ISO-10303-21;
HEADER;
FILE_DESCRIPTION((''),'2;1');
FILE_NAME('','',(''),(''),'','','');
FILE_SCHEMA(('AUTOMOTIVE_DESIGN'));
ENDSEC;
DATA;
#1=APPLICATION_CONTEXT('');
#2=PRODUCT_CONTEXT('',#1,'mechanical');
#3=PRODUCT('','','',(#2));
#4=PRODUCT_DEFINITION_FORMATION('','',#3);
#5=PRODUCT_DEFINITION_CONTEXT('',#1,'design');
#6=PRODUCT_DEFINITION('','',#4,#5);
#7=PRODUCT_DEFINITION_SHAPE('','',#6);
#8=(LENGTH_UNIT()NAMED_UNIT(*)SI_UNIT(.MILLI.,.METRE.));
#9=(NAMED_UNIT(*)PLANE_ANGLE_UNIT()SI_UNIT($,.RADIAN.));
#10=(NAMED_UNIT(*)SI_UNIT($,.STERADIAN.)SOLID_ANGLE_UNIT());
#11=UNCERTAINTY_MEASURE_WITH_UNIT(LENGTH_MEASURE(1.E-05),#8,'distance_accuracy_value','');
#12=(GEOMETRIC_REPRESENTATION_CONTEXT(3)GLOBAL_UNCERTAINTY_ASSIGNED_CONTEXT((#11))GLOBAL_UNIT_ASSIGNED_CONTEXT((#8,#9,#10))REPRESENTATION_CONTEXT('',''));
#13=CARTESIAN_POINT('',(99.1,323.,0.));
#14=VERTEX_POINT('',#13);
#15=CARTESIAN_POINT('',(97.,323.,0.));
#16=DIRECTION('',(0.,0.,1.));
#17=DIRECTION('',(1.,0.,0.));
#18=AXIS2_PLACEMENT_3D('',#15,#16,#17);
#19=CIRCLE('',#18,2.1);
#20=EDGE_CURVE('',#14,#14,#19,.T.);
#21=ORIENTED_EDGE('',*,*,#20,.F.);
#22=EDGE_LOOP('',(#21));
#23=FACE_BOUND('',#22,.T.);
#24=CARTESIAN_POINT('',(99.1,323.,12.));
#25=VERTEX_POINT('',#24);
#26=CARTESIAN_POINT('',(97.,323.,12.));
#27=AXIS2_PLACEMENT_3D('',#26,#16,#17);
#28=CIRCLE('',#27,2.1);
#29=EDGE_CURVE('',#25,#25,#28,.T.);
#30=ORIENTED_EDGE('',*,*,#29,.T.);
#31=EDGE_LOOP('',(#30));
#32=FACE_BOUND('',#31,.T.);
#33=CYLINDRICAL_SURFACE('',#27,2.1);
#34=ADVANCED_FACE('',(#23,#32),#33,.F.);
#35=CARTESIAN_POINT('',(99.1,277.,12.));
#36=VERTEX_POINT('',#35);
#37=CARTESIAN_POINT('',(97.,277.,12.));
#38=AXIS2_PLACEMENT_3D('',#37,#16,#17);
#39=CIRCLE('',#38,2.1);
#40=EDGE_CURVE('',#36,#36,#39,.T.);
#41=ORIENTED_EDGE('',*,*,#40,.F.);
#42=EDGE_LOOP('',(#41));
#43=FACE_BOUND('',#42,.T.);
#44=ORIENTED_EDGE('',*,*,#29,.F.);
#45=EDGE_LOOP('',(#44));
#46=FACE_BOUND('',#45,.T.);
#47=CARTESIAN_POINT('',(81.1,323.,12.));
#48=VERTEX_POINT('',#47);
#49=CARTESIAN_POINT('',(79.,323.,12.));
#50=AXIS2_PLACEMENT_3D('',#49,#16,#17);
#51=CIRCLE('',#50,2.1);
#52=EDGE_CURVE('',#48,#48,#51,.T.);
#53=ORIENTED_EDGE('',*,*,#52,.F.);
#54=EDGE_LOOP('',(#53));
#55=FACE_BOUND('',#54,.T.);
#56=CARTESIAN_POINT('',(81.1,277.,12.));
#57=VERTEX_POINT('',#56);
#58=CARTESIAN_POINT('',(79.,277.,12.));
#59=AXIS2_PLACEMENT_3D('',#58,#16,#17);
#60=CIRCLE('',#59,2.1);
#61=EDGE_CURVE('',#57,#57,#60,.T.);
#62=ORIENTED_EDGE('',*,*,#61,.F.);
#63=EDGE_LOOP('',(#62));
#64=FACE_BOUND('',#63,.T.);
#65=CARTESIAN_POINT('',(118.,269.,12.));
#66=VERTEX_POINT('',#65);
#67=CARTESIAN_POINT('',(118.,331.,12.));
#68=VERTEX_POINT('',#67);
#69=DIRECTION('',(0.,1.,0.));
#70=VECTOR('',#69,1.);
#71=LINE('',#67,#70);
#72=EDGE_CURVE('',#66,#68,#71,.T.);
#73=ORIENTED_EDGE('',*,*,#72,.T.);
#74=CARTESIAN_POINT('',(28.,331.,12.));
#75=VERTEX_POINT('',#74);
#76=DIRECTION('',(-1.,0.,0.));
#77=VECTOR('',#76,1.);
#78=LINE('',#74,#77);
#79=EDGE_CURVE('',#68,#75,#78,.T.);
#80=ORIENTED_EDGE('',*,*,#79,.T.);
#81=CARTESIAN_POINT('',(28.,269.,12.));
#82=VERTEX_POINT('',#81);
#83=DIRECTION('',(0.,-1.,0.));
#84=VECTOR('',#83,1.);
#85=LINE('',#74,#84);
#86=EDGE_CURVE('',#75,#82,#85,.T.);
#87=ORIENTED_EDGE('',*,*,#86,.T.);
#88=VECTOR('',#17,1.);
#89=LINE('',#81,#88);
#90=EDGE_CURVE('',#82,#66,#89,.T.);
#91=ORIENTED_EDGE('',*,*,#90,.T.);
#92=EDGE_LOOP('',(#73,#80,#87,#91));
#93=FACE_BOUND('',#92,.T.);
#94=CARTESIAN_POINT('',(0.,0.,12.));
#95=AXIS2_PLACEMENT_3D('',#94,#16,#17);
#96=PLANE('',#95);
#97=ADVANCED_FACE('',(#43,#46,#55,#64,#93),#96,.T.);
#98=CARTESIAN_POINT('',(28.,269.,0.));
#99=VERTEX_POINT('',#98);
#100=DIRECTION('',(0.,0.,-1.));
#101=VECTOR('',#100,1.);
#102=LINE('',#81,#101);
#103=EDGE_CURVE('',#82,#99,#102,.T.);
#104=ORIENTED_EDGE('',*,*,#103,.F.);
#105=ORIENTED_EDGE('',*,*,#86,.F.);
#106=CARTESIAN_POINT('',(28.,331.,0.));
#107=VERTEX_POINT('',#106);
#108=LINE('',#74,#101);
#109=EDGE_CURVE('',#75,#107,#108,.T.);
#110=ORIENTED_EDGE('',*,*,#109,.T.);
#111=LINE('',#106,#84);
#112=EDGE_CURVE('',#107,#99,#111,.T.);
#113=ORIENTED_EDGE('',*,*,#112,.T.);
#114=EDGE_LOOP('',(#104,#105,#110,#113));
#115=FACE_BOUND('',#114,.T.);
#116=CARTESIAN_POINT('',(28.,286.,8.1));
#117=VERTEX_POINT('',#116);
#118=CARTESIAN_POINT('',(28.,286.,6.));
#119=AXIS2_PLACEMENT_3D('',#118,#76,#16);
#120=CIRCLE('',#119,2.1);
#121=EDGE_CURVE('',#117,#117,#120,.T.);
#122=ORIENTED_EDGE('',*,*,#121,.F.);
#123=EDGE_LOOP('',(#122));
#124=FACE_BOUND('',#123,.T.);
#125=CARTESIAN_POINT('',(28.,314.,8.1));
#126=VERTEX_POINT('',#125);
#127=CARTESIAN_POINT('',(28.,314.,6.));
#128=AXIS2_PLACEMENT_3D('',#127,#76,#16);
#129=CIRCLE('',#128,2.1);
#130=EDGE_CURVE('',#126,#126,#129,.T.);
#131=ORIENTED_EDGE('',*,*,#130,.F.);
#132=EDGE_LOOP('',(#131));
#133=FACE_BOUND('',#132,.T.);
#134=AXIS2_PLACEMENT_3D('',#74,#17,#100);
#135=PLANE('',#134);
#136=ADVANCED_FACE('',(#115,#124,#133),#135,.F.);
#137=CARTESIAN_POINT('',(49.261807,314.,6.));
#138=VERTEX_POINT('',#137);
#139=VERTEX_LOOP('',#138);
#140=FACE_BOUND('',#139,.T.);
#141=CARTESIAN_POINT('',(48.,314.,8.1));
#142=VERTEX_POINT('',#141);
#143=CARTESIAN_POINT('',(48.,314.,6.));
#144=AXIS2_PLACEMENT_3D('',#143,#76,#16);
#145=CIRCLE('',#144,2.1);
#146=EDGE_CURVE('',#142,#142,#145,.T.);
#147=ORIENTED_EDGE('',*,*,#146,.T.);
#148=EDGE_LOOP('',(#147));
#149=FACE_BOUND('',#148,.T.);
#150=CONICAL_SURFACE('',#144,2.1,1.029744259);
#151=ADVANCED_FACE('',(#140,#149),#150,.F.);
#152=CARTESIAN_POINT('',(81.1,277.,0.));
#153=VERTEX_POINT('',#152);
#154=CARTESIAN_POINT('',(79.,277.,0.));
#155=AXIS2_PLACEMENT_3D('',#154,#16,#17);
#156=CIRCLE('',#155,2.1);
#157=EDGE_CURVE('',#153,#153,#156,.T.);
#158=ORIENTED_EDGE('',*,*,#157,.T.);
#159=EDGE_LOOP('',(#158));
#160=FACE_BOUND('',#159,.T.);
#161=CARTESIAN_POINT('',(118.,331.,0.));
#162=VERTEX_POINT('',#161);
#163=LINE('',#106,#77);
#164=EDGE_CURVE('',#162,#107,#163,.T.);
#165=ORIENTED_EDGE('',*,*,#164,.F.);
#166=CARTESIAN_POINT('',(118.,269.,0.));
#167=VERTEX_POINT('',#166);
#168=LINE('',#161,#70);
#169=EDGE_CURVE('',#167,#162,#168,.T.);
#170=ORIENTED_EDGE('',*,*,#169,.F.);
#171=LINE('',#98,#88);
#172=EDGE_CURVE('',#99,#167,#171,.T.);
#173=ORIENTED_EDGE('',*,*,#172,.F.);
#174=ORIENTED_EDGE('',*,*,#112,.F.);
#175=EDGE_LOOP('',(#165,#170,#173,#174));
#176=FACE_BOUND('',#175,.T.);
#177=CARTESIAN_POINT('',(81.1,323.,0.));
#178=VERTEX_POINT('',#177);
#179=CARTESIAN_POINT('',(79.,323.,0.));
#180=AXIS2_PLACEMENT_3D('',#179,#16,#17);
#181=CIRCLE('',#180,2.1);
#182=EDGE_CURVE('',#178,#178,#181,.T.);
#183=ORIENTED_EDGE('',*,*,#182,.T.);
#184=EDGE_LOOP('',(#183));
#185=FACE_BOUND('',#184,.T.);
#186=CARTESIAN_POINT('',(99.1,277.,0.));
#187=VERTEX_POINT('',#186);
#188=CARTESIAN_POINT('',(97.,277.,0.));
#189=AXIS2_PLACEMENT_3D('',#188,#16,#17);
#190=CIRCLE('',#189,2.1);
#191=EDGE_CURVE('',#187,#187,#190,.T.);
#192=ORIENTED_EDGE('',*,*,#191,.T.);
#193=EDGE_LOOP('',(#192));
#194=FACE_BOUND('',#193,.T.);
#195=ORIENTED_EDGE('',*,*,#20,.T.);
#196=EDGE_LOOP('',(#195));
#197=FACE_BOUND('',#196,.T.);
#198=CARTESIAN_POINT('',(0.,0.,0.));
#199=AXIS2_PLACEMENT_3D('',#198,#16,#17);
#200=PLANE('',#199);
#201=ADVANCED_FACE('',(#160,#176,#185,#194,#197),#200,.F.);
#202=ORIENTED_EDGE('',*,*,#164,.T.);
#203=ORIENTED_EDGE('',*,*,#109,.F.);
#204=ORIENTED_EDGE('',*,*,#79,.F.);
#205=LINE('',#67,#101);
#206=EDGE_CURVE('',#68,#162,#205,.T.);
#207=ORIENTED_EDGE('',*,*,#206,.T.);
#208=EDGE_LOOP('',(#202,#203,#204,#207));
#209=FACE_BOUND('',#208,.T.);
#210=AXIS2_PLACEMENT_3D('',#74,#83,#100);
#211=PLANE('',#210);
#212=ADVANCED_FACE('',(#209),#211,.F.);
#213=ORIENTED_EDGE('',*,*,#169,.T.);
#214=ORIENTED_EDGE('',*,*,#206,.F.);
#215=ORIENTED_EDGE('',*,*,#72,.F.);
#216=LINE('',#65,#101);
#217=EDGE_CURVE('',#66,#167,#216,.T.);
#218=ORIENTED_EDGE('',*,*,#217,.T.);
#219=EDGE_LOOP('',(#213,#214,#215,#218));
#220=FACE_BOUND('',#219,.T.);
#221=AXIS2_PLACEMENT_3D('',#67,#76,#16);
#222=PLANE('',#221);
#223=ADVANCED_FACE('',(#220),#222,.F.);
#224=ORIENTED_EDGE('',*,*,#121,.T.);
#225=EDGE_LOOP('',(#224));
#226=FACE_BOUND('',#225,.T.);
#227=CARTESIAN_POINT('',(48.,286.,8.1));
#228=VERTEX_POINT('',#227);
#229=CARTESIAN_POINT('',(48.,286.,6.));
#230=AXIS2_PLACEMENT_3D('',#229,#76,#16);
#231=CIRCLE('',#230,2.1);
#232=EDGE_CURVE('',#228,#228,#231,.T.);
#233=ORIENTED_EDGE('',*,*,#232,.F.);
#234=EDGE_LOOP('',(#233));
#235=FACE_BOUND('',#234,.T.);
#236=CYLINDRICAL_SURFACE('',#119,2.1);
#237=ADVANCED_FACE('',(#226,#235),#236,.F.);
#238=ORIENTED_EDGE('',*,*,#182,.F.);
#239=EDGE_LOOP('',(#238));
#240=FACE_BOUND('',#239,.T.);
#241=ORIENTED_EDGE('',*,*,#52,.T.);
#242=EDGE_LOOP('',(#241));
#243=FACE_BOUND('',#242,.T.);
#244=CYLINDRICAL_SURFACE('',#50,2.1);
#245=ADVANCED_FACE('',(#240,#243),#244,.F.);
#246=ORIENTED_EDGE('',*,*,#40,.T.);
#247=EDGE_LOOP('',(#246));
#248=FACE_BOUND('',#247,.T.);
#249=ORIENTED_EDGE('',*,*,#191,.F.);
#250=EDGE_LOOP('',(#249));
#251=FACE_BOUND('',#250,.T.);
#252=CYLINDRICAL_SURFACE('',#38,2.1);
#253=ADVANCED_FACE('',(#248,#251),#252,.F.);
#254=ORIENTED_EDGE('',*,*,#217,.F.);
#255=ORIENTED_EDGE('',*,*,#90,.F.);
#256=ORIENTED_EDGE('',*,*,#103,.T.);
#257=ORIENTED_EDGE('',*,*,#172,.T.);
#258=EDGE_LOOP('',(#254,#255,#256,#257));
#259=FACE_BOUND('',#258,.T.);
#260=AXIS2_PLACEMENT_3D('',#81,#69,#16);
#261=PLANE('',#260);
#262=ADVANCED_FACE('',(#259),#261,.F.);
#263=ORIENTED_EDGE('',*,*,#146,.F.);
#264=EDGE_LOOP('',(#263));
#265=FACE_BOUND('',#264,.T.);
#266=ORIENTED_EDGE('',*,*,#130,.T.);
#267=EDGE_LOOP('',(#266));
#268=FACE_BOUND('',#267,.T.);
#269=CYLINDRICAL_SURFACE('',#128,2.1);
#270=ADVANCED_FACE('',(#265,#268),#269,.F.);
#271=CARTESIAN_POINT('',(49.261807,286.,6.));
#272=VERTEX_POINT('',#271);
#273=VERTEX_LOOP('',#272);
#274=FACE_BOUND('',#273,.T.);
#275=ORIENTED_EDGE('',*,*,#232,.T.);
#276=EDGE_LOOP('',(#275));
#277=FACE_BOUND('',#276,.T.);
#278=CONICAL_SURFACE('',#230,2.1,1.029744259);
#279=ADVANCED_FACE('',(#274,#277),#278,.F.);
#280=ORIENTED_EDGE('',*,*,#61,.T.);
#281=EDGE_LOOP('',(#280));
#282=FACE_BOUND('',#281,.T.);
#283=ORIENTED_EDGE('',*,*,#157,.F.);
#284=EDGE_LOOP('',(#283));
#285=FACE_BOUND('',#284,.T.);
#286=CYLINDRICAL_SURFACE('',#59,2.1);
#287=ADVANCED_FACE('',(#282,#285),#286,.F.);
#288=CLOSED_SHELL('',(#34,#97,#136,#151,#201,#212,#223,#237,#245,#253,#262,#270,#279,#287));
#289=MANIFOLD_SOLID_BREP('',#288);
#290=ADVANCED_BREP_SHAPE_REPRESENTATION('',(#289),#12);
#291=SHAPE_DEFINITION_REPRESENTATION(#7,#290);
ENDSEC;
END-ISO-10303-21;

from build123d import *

# Parameters (mm, degrees)
SZKIC1_W                       = 90
SZKIC1_H                       = 62
DODANIE_WYCI_GNI_CIE1_DEPTH    = 12
OTW_R_GWINTOWANY_M5X0_81_D     = 4.2
OTW_R_GWINTOWANY_M5X0_81_DEPTH = 14
OTW_R_GWINTOWANY_M5X0_81_TIP   = 1.2618073
OTW_R_GWINTOWANY_M5X0_82_D     = 4.2
OTW_R_GWINTOWANY_M5X0_82_DEPTH = 20
OTW_R_GWINTOWANY_M5X0_82_TIP   = 1.2618073


with BuildPart() as part:
    # Szkic1 → Dodanie-wyciągnięcie1 (new body)
    with BuildSketch(Plane.XY):
        with Locations((73, 300)):
            Rectangle(SZKIC1_W, SZKIC1_H)
    extrude(amount=DODANIE_WYCI_GNI_CIE1_DEPTH)

    # Otwór gwintowany M5x0.81
    with Locations(Plane.XY.offset(12)):
        with Locations((97, 323), (79, 323), (79, 277), (97, 277)):
            Hole(OTW_R_GWINTOWANY_M5X0_81_D / 2, depth=OTW_R_GWINTOWANY_M5X0_81_DEPTH)
            with Locations((0, 0, -(OTW_R_GWINTOWANY_M5X0_81_DEPTH + OTW_R_GWINTOWANY_M5X0_81_TIP / 2))):  # 118° drill point
                Cone(0, OTW_R_GWINTOWANY_M5X0_81_D / 2, OTW_R_GWINTOWANY_M5X0_81_TIP, mode=Mode.SUBTRACT)

    # Otwór gwintowany M5x0.82
    with Locations(Plane.ZY.offset(-28)):
        with Locations((6, 286), (6, 314)):
            Hole(OTW_R_GWINTOWANY_M5X0_82_D / 2, depth=OTW_R_GWINTOWANY_M5X0_82_DEPTH)
            with Locations((0, 0, -(OTW_R_GWINTOWANY_M5X0_82_DEPTH + OTW_R_GWINTOWANY_M5X0_82_TIP / 2))):  # 118° drill point
                Cone(0, OTW_R_GWINTOWANY_M5X0_82_D / 2, OTW_R_GWINTOWANY_M5X0_82_TIP, mode=Mode.SUBTRACT)


solid = part.part
